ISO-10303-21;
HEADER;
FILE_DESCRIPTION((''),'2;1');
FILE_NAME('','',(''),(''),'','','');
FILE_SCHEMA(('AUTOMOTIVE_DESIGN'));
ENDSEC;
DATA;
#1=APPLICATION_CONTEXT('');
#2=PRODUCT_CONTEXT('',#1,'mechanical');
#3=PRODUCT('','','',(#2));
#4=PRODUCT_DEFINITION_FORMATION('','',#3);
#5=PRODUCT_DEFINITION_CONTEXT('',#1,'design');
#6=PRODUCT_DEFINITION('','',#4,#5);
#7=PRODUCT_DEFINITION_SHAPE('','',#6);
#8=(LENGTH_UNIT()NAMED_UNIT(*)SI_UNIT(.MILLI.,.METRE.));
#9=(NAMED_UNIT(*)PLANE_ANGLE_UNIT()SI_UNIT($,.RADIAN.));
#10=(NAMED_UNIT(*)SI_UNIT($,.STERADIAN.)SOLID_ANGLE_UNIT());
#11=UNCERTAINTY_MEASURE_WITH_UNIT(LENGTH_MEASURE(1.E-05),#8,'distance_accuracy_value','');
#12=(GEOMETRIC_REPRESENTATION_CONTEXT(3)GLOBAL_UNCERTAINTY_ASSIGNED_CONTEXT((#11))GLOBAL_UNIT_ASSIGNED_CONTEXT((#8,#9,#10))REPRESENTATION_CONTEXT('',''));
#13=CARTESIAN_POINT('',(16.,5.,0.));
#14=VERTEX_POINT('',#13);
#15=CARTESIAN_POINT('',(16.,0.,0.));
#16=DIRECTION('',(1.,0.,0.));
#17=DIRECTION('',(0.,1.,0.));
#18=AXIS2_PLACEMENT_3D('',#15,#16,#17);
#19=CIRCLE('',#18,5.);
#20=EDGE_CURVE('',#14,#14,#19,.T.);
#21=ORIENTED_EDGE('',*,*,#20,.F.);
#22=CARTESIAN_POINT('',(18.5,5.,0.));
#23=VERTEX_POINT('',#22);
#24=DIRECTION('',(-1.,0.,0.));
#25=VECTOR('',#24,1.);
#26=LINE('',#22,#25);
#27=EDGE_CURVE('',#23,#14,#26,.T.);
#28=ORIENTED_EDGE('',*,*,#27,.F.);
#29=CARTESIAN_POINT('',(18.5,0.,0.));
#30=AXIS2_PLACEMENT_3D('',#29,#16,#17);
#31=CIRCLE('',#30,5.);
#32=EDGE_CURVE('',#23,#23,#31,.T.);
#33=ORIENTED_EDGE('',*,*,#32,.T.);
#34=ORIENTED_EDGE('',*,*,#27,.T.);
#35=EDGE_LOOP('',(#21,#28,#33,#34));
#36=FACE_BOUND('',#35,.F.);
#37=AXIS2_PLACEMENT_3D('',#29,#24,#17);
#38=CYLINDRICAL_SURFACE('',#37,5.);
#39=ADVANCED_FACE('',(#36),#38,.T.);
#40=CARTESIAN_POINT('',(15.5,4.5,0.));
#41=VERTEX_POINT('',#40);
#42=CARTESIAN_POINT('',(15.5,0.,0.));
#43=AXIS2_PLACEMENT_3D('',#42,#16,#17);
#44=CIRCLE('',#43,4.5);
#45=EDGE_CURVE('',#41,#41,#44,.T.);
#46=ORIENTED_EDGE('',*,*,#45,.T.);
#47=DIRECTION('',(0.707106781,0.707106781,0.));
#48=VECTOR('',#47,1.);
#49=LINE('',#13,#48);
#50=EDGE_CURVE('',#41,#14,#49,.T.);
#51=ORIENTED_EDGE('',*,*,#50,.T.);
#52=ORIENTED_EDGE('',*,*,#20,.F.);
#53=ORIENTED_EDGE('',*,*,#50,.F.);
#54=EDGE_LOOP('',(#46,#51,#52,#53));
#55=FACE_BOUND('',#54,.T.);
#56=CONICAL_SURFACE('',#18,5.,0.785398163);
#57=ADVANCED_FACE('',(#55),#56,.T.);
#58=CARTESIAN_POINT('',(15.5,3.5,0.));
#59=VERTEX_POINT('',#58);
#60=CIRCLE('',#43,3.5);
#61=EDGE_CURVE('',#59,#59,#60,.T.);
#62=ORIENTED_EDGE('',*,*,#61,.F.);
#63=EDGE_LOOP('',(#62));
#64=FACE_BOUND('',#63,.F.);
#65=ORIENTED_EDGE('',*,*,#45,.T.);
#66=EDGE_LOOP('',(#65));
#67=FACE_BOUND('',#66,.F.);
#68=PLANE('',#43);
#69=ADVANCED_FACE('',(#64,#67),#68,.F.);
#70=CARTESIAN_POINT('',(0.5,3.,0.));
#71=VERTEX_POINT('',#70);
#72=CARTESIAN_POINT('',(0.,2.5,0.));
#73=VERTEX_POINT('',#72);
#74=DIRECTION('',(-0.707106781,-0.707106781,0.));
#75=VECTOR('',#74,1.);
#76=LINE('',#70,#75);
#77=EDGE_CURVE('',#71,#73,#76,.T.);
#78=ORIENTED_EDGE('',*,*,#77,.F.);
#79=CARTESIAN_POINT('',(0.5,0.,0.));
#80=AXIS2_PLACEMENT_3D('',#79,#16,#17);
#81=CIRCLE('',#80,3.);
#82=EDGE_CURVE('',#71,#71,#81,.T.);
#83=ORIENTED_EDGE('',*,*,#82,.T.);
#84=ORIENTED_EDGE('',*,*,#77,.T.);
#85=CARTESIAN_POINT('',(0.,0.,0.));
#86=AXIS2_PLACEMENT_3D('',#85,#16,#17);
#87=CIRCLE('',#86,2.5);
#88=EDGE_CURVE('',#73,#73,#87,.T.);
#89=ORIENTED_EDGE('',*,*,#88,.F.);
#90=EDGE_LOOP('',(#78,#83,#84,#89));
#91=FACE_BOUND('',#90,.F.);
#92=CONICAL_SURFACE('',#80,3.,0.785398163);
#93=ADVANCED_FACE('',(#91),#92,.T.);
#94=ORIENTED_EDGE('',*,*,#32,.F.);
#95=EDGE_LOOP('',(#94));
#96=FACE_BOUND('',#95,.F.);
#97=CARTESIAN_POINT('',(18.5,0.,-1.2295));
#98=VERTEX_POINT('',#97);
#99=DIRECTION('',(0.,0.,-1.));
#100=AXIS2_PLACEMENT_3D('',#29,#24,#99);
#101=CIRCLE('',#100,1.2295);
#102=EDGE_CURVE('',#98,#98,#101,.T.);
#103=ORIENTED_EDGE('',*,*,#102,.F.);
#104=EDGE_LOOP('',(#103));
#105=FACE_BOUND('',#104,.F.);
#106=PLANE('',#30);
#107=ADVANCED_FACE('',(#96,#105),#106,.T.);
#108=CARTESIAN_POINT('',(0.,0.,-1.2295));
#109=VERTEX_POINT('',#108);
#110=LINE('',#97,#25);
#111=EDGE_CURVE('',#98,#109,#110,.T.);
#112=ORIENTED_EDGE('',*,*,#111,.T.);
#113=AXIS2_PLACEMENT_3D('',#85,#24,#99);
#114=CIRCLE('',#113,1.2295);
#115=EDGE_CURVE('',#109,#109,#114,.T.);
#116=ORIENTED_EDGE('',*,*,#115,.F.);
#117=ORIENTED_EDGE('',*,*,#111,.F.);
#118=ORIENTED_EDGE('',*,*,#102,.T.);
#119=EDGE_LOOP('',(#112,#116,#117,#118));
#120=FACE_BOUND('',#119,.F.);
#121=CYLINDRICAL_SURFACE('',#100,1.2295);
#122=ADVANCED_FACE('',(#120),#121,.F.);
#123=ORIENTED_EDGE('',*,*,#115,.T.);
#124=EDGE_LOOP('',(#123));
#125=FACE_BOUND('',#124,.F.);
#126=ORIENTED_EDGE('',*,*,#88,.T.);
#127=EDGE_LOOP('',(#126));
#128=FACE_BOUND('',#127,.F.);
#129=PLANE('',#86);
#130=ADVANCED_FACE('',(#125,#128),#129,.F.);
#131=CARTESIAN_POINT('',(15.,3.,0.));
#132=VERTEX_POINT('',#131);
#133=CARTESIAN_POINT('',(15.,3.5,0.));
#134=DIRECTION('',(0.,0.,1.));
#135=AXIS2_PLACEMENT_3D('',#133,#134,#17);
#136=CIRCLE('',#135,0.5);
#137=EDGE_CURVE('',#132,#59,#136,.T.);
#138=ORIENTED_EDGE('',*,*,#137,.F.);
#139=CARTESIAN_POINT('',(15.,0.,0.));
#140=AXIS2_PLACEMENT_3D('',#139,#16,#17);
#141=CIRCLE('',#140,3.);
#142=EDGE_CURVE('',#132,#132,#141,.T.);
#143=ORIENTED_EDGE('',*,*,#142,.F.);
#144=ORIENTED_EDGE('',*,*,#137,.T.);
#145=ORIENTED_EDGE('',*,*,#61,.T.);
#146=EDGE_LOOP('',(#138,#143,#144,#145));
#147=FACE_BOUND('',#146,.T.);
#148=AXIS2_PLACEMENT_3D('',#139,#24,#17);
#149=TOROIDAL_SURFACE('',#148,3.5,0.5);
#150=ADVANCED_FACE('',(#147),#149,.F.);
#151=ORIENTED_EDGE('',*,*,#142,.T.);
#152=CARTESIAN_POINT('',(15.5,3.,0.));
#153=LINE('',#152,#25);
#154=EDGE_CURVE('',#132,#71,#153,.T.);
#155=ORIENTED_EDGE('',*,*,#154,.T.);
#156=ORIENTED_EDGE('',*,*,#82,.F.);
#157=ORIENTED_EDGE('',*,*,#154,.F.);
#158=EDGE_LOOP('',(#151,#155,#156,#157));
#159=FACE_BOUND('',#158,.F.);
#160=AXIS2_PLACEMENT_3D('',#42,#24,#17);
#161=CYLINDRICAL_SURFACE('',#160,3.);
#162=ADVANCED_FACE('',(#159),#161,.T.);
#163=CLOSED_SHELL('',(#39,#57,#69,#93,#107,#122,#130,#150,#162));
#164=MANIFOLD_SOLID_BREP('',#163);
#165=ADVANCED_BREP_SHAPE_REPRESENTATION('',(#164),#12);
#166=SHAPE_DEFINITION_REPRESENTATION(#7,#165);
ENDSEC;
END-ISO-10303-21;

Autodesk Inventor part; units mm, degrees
ref_plane "YZ Plane" through (0, 0, 0) normal (1, 0, 0) x (0, 1, 0)
ref_plane "XZ Plane" through (0, 0, 0) normal (0, 1, 0) x (-1, 0, 0)
ref_plane "XY Plane" through (0, 0, 0) normal (0, 0, 1) x (1, 0, 0)
sketch "Sketch1" plane through (0, 0, 0) normal (0, 0, 1) x (1, 0, 0)
  line L0 (0, 0) -> (15.5, 0)
  line L1 (15.5, 0) -> (15.5, 3)
  line L2 (15.5, 3) -> (0, 3)
  line L3 (0, 3) -> (0, 0)
  line L4 (15.5, 0) -> (18.5, 0)
  line L5 (18.5, 0) -> (18.5, 5)
  line L6 (18.5, 5) -> (15.5, 5)
  line L7 (15.5, 5) -> (15.5, 0)
  line L8 (0, 0) -> (18.5, 0)
  dimension "d0" = 5
  dimension "d1" = 3
  dimension "d2" = 15.5
  dimension "d3" = 3
revolve "Revolution1" add sketch "Sketch1" angle 360 about axis through (15.5, 0, 0) along (1, 0, 0)
fillet "Fillet1" radius 0.5 1 edges at (15.5, -3, 0)
chamfer "Chamfer1" distance 0.5 angle 45 2 edges at (0, -3, 0) (15.5, -5, 0)
sketch "Sketch2" plane through (18.5, 0, 0) normal (-1, 0, 0) x (0, 0, 1)
  circle A0 centre (0, 0) radius 3 projected
  point P0 (0, 0)
hole "Hole1" at (18.5, 0, 0) direction (-1, 0, 0) diameter 2.459 end through all thread size "M3x0.5" class "6H" standard "ANSI Metric M Profile"
properties part number "Pancake_Lever Mount Piece" material "Aluminum 6061"
